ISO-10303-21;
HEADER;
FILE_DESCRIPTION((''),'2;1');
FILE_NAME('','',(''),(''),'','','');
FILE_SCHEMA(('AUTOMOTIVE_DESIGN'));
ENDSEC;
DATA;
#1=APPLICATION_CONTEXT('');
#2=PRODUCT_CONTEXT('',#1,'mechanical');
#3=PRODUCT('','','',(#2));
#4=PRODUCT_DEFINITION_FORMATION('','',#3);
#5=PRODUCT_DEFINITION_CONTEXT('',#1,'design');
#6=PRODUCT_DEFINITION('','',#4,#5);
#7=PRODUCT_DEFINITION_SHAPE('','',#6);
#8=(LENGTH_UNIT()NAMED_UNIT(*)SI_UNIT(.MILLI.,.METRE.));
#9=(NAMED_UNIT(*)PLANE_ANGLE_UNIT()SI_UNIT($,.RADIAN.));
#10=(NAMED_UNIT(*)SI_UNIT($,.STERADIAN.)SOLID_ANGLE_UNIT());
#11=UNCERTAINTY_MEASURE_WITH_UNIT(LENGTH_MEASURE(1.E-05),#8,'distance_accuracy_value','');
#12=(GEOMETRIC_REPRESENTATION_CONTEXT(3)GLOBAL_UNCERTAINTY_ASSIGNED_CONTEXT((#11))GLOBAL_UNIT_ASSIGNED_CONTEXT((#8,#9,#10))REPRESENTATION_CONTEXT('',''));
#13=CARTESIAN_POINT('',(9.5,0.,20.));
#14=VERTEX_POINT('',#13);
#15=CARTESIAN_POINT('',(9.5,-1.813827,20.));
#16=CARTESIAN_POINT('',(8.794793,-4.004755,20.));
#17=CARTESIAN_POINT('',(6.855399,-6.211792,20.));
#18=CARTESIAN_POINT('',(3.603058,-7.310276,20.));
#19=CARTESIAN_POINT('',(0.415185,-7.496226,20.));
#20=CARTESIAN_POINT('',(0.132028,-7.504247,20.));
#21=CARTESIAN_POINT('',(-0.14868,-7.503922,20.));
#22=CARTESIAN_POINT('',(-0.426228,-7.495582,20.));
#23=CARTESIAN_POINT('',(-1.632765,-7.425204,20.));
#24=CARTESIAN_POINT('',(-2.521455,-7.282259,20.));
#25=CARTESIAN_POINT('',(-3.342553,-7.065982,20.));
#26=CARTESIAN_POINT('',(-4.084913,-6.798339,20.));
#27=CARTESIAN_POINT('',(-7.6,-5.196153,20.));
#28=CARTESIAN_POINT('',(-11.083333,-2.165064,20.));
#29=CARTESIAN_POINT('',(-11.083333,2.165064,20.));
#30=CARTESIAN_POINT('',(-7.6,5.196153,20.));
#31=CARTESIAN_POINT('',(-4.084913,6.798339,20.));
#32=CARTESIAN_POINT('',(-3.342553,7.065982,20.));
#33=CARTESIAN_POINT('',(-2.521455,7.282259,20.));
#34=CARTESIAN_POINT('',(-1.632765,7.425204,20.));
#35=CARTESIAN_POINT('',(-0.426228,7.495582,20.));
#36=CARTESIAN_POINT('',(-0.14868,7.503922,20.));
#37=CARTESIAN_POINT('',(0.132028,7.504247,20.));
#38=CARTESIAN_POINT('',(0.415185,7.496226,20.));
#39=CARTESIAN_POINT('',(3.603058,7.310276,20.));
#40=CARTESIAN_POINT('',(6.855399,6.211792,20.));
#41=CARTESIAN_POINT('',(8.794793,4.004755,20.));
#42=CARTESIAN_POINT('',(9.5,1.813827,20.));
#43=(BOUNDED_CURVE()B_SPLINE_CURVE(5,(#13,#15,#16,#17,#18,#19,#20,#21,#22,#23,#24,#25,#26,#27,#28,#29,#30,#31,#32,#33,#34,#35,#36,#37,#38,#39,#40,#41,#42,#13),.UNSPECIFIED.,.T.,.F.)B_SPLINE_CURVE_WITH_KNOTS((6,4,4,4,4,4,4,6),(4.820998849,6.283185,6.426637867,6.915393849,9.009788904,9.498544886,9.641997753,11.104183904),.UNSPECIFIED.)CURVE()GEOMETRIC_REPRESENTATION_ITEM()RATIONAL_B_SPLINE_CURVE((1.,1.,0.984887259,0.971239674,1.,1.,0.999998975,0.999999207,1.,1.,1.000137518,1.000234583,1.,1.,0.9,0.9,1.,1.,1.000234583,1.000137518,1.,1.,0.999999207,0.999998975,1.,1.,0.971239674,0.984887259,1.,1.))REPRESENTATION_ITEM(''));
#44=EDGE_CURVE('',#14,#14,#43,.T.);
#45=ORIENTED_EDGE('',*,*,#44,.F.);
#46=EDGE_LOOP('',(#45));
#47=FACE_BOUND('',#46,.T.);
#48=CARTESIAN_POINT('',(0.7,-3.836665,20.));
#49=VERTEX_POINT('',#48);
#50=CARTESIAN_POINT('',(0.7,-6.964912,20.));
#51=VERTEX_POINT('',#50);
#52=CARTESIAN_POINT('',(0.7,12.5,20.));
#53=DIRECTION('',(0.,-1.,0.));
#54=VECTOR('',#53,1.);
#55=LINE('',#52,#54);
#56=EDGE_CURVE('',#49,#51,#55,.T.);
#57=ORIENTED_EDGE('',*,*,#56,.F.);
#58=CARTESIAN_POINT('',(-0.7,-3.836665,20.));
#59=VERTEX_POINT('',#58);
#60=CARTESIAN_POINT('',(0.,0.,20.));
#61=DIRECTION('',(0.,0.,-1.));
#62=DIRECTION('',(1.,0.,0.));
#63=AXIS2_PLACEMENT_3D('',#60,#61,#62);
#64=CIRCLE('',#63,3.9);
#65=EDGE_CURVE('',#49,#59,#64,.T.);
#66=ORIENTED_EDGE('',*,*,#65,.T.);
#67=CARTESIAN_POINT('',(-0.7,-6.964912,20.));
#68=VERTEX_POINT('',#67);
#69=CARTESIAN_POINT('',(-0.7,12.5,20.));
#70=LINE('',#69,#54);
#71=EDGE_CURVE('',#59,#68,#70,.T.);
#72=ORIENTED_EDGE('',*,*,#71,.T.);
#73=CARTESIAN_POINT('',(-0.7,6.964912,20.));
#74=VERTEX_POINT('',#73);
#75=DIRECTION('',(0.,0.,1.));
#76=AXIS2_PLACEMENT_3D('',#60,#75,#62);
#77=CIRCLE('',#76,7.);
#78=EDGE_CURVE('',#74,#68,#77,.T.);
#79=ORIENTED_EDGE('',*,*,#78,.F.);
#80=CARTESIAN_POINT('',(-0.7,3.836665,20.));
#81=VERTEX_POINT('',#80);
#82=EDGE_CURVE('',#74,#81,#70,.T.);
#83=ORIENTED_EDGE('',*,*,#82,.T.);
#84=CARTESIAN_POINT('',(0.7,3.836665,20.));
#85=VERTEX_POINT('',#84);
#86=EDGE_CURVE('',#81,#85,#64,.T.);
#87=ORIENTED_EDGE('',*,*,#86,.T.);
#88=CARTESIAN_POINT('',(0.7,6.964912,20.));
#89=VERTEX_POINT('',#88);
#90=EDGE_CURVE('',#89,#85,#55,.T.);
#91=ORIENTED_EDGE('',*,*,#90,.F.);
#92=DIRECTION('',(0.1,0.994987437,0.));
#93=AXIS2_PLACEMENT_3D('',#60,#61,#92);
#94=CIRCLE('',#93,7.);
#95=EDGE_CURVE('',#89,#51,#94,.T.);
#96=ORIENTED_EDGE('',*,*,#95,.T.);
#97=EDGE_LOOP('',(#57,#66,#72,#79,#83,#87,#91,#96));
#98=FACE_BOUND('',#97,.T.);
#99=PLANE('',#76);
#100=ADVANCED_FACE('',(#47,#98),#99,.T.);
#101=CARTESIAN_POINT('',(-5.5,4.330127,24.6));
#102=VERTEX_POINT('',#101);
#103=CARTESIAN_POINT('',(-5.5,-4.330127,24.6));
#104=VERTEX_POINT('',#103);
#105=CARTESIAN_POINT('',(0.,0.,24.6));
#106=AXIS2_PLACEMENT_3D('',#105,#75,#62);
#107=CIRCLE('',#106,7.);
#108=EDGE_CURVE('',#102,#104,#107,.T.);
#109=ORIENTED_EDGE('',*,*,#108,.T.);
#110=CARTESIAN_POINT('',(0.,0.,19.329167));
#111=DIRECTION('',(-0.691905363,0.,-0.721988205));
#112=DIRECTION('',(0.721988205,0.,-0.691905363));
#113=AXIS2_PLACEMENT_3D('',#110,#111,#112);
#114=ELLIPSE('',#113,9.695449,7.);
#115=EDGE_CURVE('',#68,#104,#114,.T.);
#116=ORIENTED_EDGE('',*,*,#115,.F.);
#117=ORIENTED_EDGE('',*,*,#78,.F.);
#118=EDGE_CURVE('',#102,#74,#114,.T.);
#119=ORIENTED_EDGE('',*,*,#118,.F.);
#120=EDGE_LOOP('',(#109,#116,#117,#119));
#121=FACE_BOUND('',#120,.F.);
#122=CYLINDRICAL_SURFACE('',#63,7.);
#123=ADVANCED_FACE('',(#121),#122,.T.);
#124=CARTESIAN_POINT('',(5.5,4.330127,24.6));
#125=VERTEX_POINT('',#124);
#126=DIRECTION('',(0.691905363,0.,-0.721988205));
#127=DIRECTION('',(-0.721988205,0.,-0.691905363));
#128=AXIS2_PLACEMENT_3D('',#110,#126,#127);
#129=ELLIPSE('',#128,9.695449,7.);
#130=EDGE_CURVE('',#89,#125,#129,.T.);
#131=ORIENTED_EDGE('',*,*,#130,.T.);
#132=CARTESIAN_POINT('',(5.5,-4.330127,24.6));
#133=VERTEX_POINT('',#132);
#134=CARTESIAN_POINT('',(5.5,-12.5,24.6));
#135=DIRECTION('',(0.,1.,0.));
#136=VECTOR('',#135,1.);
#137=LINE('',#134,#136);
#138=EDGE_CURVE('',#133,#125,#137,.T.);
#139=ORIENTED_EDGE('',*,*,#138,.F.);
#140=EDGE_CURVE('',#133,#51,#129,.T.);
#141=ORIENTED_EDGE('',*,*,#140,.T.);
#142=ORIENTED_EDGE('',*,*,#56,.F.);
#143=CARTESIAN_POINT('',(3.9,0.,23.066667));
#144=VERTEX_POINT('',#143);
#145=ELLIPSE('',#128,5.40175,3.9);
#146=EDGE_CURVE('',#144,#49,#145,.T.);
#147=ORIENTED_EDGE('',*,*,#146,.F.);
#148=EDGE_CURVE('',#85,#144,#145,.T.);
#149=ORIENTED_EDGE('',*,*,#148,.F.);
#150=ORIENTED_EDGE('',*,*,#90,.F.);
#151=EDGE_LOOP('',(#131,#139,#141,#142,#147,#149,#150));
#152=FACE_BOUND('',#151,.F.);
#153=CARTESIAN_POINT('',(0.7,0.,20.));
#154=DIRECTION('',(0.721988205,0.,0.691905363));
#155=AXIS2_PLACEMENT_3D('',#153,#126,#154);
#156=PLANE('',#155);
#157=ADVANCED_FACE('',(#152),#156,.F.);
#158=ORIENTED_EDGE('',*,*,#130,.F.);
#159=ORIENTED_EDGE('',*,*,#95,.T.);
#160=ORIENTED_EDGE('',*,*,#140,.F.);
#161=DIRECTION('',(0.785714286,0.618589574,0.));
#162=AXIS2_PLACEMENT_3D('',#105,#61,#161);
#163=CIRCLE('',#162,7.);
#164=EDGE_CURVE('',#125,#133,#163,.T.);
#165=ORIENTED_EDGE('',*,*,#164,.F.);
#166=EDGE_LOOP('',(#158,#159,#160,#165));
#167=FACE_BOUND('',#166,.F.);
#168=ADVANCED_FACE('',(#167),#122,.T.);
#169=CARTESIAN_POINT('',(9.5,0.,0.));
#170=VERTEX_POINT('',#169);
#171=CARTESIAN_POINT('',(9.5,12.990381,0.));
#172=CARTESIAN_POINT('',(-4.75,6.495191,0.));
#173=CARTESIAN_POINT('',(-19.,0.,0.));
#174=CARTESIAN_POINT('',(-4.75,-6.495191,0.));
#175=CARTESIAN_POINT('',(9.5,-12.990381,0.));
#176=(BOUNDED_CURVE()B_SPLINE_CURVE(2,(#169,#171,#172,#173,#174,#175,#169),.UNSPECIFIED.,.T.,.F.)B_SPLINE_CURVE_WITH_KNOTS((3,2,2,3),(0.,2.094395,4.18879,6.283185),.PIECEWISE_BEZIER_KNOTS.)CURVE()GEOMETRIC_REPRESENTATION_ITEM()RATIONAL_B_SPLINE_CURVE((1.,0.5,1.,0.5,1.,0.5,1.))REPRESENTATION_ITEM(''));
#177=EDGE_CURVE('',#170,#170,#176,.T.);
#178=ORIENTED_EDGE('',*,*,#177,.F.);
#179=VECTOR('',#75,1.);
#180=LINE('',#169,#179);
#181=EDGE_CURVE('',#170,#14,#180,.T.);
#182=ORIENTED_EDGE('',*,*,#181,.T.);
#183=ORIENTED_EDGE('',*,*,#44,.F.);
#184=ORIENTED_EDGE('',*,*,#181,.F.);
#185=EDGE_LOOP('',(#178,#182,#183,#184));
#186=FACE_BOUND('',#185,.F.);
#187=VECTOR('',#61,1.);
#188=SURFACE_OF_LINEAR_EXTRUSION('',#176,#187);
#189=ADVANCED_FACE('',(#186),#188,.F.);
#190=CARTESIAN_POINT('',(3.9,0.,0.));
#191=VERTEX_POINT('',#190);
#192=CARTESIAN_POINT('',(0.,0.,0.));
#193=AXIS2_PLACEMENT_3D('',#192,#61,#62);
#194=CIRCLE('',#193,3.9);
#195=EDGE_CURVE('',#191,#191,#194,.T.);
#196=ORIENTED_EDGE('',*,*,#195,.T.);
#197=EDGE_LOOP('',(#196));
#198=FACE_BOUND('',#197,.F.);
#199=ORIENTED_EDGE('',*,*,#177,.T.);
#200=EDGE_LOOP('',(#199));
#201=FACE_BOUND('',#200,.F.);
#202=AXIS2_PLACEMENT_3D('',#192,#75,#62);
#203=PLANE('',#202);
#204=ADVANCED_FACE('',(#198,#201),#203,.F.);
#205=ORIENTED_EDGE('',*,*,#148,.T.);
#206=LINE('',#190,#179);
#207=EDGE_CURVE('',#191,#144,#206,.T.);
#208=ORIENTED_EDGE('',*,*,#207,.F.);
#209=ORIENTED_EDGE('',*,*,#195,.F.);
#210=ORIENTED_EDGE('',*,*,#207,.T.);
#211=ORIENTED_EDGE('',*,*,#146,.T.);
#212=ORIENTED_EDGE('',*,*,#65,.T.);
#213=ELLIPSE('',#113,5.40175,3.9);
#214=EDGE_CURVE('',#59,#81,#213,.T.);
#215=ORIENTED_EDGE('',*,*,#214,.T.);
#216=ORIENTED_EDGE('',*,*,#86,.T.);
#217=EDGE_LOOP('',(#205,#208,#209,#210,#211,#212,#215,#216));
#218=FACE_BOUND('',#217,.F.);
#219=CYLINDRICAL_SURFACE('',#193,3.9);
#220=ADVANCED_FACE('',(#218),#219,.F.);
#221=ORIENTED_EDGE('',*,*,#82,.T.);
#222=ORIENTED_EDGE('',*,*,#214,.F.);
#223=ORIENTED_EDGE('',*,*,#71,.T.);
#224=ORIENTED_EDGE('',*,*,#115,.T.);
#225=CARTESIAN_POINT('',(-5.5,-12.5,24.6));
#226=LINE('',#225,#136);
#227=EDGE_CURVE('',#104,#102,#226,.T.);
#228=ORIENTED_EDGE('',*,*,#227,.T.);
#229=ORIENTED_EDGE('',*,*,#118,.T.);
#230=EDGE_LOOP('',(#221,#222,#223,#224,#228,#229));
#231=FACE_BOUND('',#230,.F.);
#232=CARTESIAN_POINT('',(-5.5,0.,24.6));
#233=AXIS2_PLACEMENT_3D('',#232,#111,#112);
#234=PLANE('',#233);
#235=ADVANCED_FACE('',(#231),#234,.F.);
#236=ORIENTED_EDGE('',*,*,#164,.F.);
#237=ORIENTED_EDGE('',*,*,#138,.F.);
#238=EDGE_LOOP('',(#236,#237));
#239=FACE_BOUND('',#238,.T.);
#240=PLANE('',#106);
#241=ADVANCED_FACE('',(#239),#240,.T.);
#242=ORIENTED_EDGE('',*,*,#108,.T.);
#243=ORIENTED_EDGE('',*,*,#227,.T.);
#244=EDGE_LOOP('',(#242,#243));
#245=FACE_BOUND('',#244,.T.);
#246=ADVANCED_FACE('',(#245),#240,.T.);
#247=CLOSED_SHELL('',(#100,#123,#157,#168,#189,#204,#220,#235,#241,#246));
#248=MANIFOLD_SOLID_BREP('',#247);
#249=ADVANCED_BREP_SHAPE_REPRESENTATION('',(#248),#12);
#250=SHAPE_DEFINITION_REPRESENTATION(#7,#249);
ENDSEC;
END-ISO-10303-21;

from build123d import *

# Parameters (mm, degrees)
F1_DEPTH = 20
F2_R     = 7
F3_DEPTH = 4.6
F5_DEPTH = 12.5
F6_R     = 3.9
F7_DEPTH = 24.601


with BuildPart() as f1:
    # F0 (on Top) → F1 (new body)
    with BuildSketch(Plane.XY):
        with BuildLine():
            add(Edge.make_bspline(
                [(9.5, 0), (9.5, 12.990381), (-4.75, 6.495191), (-19, 0), (-4.75, -6.495191), (9.5, -12.990381), (9.5, 0)],
                knots=[0, 0, 0, 2.094395, 2.094395, 4.18879, 4.18879, 6.283185, 6.283185, 6.283185], degree=2, weights=[1, 0.5, 1, 0.5, 1, 0.5, 1]))
        make_face()
    extrude(amount=F1_DEPTH)

    # F2 (on face) → F3 (join)
    with BuildSketch(Plane.XY.offset(20)):
        Circle(F2_R)
    extrude(amount=F3_DEPTH)

    # F4 (on Front) → F5 (cut, symmetric)
    with BuildSketch(Plane.XZ):
        Polygon((-5.5, 24.6), (-0.7, 20), (0.7, 20), (5.5, 24.6), (0.7, 24.6), (-0.7, 24.6), align=None)
    extrude(amount=F5_DEPTH, both=True, mode=Mode.SUBTRACT)

    # F6 (on face) → F7 (cut, through all)
    with BuildSketch(Plane(origin=(0, 0, 0), x_dir=(1, 0, 0), z_dir=(0, 0, -1))):
        Circle(F6_R)
    extrude(amount=-F7_DEPTH, mode=Mode.SUBTRACT)


solid = f1.part
